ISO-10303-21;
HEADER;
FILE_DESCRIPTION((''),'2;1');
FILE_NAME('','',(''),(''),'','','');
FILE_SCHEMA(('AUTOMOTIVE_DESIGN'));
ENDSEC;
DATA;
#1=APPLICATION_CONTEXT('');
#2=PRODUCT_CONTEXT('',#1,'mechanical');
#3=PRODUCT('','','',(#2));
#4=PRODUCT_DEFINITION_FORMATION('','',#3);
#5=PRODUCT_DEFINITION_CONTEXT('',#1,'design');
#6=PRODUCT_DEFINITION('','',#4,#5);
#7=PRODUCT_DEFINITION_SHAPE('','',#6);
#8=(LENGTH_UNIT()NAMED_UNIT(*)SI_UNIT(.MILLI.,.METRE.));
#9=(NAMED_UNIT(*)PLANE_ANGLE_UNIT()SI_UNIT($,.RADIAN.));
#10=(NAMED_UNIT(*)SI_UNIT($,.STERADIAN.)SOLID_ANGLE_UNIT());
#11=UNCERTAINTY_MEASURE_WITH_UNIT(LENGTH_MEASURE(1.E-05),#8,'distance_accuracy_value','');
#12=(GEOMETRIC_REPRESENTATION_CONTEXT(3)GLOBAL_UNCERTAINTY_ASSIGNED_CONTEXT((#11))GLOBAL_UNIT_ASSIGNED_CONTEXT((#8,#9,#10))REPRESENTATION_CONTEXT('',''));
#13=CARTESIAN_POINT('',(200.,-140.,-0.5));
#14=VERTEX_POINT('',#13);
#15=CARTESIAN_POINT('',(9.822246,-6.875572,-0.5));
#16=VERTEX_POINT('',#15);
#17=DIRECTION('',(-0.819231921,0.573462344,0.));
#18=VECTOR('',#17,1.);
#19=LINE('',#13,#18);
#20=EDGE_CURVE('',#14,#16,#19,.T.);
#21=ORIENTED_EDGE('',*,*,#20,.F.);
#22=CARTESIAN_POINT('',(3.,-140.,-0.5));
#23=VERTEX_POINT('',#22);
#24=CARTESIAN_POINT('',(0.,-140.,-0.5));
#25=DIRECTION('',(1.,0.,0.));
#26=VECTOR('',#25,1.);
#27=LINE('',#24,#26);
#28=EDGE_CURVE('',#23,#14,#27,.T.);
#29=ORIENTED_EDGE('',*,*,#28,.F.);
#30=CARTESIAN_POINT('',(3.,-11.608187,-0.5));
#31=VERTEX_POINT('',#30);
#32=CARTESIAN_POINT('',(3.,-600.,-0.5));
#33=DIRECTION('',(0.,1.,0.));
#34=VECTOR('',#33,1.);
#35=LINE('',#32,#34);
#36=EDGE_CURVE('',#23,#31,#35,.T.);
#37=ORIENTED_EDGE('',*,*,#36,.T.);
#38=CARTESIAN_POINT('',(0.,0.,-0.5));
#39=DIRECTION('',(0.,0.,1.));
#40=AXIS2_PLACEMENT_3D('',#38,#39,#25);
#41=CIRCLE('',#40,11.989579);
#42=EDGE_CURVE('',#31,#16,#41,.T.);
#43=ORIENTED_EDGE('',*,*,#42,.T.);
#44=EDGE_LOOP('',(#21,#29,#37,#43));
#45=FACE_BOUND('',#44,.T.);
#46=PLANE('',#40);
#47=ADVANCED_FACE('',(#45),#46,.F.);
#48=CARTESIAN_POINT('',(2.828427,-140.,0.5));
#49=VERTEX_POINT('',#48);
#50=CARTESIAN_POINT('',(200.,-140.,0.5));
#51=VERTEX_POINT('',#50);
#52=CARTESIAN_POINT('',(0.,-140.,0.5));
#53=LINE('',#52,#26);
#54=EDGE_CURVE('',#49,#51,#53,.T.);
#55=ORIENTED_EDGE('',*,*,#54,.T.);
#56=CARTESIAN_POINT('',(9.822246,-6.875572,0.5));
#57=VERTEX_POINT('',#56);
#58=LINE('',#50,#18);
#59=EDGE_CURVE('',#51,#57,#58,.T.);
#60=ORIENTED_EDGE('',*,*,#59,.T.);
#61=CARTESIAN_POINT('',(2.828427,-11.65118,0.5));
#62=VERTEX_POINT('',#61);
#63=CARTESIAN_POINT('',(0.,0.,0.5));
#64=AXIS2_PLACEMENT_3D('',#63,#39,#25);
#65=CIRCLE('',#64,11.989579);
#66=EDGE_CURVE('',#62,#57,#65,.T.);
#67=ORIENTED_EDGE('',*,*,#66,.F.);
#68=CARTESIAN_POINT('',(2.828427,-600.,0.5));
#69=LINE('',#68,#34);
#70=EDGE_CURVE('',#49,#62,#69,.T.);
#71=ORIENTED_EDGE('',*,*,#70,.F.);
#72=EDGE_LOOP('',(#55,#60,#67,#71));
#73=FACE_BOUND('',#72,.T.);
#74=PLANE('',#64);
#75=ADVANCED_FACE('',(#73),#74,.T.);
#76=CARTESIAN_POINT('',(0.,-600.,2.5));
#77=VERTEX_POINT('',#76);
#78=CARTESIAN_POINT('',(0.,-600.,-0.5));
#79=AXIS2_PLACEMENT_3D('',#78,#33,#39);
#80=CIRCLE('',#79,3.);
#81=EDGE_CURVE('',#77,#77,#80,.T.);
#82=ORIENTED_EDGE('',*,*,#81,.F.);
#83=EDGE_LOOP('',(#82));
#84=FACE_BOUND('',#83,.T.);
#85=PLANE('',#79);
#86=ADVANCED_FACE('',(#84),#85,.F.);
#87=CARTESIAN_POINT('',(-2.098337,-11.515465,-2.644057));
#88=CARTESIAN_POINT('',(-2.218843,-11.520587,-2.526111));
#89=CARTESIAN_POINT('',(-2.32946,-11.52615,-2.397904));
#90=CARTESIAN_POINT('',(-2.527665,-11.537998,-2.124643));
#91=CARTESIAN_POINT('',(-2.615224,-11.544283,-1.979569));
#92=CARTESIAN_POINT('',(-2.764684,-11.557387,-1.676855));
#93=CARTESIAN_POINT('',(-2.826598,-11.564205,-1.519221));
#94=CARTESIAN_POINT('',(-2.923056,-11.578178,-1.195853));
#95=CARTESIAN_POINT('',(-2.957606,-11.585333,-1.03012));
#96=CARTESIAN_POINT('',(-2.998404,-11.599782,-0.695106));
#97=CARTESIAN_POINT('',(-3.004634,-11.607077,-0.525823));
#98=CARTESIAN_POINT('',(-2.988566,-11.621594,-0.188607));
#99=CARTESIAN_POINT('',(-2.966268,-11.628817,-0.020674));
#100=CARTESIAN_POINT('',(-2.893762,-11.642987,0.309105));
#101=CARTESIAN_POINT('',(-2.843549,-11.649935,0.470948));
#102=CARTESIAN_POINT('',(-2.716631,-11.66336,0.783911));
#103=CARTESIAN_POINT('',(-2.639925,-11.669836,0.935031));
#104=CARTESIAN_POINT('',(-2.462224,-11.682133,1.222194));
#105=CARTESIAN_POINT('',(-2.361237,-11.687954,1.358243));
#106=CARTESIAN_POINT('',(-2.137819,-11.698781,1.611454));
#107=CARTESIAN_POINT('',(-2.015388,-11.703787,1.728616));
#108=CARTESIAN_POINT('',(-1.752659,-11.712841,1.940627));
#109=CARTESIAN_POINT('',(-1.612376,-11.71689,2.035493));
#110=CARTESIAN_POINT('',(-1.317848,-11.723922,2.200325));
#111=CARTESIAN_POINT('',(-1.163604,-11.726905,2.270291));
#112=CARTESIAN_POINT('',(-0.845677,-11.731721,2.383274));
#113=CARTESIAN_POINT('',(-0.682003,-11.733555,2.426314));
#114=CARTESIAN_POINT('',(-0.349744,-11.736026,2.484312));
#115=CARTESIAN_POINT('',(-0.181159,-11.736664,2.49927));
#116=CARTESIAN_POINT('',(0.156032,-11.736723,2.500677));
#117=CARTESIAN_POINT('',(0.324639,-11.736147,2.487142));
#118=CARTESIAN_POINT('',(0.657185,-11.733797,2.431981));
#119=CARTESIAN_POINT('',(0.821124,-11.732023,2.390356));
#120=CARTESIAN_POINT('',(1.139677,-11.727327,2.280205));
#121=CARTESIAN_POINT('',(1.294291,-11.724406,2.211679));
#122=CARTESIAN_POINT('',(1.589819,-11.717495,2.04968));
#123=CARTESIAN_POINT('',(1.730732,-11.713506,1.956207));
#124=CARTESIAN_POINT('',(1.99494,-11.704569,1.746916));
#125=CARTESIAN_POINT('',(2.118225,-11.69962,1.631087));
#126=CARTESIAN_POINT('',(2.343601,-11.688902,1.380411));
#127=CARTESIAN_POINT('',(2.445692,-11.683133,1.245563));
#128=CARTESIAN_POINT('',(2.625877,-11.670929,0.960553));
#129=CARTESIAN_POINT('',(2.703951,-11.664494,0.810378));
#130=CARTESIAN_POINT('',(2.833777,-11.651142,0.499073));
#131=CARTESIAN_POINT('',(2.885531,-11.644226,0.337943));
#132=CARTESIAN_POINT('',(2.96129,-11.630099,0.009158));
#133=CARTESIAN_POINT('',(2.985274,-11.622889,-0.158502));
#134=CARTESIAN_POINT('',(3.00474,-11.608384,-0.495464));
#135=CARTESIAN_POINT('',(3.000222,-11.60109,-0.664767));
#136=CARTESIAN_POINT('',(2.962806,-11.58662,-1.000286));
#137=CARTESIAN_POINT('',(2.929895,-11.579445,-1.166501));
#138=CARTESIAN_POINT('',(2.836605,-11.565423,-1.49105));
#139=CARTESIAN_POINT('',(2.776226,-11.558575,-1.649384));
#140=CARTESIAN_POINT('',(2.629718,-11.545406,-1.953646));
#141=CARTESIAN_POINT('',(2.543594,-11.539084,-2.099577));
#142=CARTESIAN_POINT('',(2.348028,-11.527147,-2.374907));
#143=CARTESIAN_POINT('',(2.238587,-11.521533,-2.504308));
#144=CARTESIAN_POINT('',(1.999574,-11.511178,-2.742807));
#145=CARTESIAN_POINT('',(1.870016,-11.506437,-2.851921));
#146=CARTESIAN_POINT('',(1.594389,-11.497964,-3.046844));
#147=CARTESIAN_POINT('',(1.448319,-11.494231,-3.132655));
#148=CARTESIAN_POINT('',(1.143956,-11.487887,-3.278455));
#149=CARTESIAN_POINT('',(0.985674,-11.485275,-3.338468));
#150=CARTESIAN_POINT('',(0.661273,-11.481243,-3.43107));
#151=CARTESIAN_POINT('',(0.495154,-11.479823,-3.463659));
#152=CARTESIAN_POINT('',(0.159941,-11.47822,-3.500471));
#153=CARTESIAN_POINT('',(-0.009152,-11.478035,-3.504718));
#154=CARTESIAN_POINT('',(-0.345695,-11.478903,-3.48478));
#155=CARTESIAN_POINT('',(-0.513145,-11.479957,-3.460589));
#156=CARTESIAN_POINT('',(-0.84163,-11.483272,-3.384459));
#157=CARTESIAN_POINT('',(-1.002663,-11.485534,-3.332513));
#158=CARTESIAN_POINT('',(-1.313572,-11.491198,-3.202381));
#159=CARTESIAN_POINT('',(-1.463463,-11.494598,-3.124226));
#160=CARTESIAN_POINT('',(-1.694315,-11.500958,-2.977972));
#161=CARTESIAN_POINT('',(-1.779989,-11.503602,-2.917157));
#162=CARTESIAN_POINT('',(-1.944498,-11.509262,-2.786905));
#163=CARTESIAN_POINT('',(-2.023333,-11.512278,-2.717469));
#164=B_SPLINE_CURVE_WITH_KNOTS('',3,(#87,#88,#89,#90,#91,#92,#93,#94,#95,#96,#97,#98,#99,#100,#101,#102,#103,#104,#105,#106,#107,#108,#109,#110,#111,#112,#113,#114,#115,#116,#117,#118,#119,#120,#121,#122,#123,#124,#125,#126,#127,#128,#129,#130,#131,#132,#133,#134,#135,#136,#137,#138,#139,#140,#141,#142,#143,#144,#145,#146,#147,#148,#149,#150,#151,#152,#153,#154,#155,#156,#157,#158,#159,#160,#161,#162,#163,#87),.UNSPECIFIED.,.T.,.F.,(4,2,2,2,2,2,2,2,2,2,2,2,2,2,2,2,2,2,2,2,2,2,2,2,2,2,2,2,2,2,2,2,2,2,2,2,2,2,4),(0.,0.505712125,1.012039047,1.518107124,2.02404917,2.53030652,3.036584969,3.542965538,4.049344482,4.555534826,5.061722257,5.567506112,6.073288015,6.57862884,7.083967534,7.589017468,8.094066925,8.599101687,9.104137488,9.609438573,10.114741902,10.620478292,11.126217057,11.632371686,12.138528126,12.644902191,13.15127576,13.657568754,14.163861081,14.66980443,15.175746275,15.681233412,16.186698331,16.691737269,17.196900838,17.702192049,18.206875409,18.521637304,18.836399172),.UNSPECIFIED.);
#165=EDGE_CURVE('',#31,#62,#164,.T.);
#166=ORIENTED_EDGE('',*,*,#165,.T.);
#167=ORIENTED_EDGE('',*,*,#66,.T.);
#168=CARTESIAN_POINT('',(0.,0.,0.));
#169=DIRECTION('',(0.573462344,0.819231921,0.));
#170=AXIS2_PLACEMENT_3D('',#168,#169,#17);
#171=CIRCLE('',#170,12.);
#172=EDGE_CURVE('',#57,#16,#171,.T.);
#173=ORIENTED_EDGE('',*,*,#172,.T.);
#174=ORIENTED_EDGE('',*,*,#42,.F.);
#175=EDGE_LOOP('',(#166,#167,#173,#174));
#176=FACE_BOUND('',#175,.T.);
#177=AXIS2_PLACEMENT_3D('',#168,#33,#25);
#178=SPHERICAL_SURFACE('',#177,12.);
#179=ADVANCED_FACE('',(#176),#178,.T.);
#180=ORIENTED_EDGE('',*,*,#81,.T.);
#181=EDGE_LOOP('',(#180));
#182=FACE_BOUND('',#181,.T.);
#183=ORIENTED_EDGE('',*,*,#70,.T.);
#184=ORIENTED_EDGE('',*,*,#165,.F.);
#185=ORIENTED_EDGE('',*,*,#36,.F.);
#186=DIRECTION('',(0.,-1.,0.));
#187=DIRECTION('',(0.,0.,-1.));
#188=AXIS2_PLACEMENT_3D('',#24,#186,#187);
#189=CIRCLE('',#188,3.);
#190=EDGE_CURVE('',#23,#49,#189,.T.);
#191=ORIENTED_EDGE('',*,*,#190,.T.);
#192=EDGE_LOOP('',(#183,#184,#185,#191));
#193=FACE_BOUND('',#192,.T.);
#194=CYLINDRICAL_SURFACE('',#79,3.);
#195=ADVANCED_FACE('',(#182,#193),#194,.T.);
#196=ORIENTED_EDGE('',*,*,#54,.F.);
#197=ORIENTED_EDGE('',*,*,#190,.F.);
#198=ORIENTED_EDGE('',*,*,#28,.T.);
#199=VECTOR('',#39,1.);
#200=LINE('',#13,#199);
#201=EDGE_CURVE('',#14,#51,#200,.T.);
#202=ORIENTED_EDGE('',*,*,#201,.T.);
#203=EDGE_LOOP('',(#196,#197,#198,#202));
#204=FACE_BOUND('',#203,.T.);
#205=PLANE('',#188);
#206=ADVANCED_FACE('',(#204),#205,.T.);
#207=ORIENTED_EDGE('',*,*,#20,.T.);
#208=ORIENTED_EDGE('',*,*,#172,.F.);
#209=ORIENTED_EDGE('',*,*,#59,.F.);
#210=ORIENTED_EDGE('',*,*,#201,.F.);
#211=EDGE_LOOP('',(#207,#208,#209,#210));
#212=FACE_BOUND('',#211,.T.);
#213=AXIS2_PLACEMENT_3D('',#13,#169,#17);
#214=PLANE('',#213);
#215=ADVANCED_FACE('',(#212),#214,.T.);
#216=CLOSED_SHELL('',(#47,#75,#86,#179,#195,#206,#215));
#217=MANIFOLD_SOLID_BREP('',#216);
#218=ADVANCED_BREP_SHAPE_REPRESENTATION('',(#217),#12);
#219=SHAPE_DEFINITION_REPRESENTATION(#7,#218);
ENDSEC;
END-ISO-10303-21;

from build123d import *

# Parameters (mm, degrees)
BOSS_EXTRUDE1_DEPTH      = 0.5
BOSS_EXTRUDE1_DEPTH_BACK = 0.5
SKETCH2_R                = 3
BOSS_EXTRUDE2_DEPTH      = 600


with BuildPart() as part:
    # Sketch1 → Boss-Extrude1 (new, two sides: drawn at the far end of the back side and taken through both)
    with BuildSketch(Plane.XY.offset(-BOSS_EXTRUDE1_DEPTH_BACK)):
        Polygon((0, 0), (0, -140), (200, -140), align=None)
    extrude(amount=BOSS_EXTRUDE1_DEPTH + BOSS_EXTRUDE1_DEPTH_BACK)

    # Sketch2 → Boss-Extrude2 (add)
    with BuildSketch(Plane(origin=(0, 0, 0), x_dir=(1, 0, 0), z_dir=(0, 1, 0))):
        with Locations((0, 0.5)):
            Circle(SKETCH2_R)
    extrude(amount=-BOSS_EXTRUDE2_DEPTH)

    # Sketch3 → Revolve1 (revolve)
    with BuildSketch(Plane.XY):
        with BuildLine():
            Line((0, 12), (0, -12))
            ThreePointArc((0, -12), (-12, 0), (0, 12))
        make_face()
    revolve(axis=Axis((0, 12, 0), (0, -1, 0)))


solid = part.part
